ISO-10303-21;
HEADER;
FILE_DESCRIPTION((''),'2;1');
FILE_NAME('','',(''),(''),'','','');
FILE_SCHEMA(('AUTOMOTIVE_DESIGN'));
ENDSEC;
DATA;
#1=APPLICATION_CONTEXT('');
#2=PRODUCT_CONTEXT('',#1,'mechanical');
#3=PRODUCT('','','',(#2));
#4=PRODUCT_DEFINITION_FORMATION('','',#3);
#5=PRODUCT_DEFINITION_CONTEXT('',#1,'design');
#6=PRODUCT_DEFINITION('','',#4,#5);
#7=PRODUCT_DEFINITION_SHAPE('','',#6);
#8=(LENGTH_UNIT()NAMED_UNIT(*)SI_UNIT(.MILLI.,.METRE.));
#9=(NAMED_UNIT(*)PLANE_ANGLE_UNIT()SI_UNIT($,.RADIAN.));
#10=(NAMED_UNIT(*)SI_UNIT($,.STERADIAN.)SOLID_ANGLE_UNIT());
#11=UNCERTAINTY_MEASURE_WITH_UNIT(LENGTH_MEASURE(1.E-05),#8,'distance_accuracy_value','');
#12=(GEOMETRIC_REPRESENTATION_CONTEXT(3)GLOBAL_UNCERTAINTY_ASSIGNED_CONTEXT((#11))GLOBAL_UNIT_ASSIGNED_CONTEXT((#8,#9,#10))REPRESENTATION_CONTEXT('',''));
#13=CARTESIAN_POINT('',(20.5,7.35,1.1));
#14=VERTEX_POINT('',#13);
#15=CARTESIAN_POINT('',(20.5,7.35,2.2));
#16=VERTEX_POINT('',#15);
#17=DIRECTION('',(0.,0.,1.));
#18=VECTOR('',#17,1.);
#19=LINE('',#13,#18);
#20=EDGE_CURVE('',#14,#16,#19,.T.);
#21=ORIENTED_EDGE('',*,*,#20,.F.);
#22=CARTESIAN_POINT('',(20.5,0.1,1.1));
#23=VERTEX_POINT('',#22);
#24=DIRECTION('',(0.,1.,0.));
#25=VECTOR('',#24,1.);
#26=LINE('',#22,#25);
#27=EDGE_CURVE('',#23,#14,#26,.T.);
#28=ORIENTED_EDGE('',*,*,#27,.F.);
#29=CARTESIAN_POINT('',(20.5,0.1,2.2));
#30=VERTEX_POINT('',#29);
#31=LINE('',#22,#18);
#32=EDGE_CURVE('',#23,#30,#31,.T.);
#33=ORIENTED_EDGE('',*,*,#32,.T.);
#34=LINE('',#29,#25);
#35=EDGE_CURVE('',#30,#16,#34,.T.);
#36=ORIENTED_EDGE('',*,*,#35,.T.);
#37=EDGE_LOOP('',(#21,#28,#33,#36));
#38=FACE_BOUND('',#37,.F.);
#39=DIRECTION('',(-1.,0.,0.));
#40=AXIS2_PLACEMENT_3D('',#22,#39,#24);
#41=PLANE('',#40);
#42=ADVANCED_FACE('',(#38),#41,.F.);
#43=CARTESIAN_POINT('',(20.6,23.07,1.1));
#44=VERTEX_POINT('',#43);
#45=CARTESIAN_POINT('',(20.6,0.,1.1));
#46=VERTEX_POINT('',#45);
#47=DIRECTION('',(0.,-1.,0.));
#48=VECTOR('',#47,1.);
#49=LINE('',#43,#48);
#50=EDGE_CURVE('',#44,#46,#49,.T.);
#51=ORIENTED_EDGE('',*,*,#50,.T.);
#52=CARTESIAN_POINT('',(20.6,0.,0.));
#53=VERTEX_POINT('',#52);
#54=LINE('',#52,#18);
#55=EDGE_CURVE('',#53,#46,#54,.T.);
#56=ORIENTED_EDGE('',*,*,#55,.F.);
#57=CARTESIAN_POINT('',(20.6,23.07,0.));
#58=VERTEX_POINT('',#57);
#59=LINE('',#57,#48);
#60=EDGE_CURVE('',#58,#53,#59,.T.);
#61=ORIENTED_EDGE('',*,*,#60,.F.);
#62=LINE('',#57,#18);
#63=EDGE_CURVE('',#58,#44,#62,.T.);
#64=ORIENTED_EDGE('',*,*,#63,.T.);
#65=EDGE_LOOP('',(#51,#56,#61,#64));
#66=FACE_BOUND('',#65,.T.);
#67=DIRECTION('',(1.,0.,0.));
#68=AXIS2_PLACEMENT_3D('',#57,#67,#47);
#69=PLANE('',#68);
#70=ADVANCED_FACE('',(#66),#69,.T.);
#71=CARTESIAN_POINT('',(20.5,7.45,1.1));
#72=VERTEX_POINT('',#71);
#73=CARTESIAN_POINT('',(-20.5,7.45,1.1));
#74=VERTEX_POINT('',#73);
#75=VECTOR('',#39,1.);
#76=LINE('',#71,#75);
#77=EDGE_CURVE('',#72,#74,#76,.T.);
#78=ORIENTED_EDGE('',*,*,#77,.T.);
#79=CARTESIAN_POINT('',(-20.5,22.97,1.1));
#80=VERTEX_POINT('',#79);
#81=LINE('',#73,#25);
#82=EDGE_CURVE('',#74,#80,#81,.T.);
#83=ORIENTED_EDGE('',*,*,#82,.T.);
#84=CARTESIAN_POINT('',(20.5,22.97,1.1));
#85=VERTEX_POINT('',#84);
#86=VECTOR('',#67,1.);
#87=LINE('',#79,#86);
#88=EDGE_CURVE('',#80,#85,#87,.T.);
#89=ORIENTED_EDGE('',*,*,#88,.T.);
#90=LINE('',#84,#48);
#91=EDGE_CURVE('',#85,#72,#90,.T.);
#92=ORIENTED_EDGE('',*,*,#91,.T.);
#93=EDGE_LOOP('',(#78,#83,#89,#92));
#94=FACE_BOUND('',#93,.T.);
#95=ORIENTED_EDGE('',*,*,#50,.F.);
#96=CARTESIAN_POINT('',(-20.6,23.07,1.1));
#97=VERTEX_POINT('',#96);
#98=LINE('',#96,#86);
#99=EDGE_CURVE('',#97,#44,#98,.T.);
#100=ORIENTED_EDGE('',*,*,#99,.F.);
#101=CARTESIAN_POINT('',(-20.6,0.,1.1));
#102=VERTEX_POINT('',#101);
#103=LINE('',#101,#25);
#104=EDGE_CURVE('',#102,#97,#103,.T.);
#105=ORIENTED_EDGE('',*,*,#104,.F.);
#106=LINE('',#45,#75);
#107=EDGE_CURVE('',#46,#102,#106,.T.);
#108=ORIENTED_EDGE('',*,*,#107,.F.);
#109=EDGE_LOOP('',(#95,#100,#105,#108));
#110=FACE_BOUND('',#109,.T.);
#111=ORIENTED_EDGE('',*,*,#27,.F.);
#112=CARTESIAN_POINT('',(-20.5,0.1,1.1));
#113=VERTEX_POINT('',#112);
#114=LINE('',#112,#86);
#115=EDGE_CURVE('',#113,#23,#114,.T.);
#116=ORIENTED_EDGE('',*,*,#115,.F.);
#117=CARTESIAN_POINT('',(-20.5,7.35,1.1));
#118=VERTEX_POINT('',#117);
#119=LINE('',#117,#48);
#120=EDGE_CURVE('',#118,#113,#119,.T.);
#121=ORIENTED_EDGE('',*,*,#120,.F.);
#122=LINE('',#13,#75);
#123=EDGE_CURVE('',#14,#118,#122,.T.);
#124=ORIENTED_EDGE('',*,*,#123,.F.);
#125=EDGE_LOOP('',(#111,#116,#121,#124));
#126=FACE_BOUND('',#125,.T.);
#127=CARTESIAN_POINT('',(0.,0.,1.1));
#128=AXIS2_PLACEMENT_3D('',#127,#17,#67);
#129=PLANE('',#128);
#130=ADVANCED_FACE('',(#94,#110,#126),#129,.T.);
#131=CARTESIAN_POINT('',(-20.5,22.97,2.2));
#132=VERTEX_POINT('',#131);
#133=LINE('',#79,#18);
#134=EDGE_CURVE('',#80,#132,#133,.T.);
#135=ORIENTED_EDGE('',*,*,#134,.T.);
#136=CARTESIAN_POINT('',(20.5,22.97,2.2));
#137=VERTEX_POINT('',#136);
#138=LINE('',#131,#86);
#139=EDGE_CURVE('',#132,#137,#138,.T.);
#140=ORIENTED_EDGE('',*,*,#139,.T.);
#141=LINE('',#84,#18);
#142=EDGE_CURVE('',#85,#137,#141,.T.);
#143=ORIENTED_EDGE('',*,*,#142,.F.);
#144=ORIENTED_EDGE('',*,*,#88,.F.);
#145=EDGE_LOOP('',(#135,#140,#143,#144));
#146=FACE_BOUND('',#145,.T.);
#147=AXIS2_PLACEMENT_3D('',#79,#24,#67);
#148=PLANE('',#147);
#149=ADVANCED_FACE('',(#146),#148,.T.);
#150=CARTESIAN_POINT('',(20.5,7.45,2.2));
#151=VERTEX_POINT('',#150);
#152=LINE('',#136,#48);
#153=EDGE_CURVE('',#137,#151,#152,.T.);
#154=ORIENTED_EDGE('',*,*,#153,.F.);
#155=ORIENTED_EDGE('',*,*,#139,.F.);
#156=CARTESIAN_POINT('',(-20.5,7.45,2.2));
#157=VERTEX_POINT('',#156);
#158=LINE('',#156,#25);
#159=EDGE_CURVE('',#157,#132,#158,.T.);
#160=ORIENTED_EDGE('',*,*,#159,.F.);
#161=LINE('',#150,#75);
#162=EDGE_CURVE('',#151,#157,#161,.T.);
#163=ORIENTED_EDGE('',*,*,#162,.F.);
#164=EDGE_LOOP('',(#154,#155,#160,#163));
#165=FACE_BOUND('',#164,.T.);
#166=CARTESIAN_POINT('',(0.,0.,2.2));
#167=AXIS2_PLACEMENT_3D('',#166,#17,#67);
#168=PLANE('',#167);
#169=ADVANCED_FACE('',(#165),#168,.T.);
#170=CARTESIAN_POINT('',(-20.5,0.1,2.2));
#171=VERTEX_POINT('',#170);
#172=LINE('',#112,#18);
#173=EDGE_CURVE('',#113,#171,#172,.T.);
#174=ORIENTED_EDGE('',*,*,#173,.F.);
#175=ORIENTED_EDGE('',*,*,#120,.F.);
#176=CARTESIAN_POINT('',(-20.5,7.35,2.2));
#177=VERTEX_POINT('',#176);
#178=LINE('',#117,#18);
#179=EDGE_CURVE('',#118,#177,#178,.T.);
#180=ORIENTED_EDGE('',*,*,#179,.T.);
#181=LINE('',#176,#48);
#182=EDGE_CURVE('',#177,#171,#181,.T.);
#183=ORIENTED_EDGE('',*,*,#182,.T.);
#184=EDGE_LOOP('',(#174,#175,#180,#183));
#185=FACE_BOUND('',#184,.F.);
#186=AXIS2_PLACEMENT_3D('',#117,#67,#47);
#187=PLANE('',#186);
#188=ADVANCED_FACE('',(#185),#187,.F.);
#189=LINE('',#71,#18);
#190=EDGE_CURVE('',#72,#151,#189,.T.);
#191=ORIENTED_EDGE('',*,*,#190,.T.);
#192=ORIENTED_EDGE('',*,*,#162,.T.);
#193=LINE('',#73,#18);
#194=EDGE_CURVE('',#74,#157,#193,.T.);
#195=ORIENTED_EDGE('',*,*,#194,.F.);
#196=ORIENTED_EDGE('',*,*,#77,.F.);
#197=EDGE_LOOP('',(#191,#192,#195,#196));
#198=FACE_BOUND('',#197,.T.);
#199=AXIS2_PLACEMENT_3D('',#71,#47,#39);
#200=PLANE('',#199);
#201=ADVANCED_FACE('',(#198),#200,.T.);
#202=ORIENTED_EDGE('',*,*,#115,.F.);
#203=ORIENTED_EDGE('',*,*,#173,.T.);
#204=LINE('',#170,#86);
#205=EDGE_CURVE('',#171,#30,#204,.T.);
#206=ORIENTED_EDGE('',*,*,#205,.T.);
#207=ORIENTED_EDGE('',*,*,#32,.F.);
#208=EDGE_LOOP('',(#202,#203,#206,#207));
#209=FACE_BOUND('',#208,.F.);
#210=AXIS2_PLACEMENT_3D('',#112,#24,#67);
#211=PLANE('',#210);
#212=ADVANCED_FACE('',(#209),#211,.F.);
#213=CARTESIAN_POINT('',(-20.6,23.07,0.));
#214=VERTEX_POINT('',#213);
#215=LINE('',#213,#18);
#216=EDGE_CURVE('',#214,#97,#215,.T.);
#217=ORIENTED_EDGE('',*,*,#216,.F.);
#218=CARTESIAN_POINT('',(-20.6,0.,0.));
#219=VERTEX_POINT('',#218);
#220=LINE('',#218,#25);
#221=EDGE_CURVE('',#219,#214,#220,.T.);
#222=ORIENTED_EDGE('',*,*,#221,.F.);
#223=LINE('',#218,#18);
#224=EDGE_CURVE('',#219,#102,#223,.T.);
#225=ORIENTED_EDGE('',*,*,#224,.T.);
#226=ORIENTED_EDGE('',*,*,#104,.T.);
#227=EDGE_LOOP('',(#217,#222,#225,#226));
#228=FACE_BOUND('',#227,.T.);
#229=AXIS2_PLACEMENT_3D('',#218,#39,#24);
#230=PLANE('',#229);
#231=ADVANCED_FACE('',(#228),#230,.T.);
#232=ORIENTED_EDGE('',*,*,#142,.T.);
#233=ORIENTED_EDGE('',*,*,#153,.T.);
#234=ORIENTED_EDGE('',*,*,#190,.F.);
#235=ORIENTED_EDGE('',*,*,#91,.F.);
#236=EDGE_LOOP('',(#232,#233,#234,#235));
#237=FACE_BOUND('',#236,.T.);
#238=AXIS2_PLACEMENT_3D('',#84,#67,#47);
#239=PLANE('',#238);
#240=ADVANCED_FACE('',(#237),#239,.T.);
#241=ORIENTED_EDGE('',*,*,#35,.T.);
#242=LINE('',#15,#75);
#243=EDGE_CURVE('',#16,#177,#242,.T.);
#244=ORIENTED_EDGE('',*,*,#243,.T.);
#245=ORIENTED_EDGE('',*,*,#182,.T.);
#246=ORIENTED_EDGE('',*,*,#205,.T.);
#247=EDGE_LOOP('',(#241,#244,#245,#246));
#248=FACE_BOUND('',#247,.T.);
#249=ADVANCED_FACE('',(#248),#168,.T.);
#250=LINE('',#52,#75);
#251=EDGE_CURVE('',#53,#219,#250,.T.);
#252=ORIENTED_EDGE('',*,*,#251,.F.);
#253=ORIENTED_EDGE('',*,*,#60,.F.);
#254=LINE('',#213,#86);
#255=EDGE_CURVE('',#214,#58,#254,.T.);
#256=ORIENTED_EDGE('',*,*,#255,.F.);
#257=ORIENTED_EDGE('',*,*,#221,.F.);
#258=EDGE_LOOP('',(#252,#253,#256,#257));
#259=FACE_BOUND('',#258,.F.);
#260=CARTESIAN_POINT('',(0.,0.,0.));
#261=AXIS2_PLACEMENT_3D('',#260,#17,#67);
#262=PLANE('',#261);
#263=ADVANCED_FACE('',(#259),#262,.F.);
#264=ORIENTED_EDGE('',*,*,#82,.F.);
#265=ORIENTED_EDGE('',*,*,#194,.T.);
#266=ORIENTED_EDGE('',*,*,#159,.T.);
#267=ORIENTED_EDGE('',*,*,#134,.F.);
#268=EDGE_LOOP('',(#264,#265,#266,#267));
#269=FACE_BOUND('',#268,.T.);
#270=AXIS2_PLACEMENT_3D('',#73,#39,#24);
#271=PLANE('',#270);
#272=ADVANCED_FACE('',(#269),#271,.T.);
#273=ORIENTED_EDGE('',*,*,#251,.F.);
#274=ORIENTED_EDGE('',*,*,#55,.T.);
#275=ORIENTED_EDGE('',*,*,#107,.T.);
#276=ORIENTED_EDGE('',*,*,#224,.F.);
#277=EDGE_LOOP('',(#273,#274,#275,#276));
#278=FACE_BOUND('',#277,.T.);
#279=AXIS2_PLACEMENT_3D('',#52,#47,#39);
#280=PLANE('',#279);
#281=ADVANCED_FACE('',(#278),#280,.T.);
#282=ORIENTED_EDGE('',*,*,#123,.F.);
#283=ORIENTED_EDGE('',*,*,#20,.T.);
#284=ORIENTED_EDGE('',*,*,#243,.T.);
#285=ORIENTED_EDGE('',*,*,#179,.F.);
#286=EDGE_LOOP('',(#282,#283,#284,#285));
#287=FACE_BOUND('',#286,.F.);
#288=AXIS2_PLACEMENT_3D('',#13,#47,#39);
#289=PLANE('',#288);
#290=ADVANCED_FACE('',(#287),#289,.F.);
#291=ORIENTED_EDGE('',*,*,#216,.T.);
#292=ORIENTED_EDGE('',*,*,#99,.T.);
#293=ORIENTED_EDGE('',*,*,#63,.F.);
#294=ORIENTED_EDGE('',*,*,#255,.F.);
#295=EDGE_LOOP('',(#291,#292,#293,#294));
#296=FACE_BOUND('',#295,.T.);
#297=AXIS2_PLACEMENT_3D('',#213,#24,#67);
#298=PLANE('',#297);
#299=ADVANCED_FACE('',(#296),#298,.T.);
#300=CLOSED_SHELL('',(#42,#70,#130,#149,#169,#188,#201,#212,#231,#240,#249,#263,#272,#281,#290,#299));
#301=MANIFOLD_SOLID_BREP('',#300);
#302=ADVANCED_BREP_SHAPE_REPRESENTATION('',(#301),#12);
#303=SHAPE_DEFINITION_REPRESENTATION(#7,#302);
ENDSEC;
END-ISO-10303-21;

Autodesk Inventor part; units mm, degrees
ref_plane "YZ Plane" through (0, 0, 0) normal (1, 0, 0) x (0, 1, 0)
ref_plane "XZ Plane" through (0, 0, 0) normal (0, 1, 0) x (-1, 0, 0)
ref_plane "XY Plane" through (0, 0, 0) normal (0, 0, 1) x (1, 0, 0)
sketch "スケッチ1" plane through (0, 0, 0) normal (0, 0, 1) x (1, 0, 0)
  line L0 (-20.6, 23.07) -> (20.6, 23.07)
  line L1 (20.6, 23.07) -> (20.6, 0)
  line L2 (20.6, 0) -> (-20.6, 0)
  line L3 (-20.6, 0) -> (-20.6, 23.07)
  point P0 (0, 0)
  point P1 (0, 0)
  dimension "d0" = 41.2
  dimension "d1" = 23.07
extrude "押し出し1" add sketch "スケッチ1" along normal blind 1.1
sketch "スケッチ3" plane through (0, 0, 1.1) normal (0, 0, 1) x (1, 0, 0)
  line L0 (-20.5, 0.1) -> (20.5, 0.1)
  line L1 (20.5, 0.1) -> (20.5, 7.35)
  line L2 (20.5, 7.35) -> (-20.5, 7.35)
  line L3 (-20.5, 7.35) -> (-20.5, 0.1)
  line L4 (-20.6, 23.07) -> (-20.6, 0) projected
  line L5 (-20.6, 0) -> (20.6, 0) projected
  line L6 (20.6, 0) -> (20.6, 23.07) projected
  point P0 (0, 0)
  dimension "d6" = 7.25
  dimension "d7" = 0.1
  dimension "d8" = 0.1
  dimension "d9" = 0.1
extrude "押し出し2" add sketch "スケッチ3" along normal blind 1.1
sketch "スケッチ4" plane through (0, 0, 1.1) normal (0, 0, 1) x (1, 0, 0)
  line L0 (-20.5, 22.97) -> (20.5, 22.97)
  line L1 (20.5, 22.97) -> (20.5, 7.45)
  line L2 (20.5, 7.45) -> (-20.5, 7.45)
  line L3 (-20.5, 7.45) -> (-20.5, 22.97)
  line L4 (20.6, 23.07) -> (-20.6, 23.07) projected
  line L5 (20.5, 7.35) -> (-20.5, 7.35) projected
  line L6 (-20.5, 7.35) -> (-20.5, 0.1) projected
  line L7 (20.5, 0.1) -> (20.5, 7.35) projected
  point P0 (0, 0)
  dimension "d12" = 0.1
  dimension "d13" = 0.1
extrude "押し出し3" add sketch "スケッチ4" along normal blind 1.1
equation "\"d8\" = d7"
equation "\"d9\" = d7"
equation "\"d13\" = d12"
properties part number "AQM1602Y"
